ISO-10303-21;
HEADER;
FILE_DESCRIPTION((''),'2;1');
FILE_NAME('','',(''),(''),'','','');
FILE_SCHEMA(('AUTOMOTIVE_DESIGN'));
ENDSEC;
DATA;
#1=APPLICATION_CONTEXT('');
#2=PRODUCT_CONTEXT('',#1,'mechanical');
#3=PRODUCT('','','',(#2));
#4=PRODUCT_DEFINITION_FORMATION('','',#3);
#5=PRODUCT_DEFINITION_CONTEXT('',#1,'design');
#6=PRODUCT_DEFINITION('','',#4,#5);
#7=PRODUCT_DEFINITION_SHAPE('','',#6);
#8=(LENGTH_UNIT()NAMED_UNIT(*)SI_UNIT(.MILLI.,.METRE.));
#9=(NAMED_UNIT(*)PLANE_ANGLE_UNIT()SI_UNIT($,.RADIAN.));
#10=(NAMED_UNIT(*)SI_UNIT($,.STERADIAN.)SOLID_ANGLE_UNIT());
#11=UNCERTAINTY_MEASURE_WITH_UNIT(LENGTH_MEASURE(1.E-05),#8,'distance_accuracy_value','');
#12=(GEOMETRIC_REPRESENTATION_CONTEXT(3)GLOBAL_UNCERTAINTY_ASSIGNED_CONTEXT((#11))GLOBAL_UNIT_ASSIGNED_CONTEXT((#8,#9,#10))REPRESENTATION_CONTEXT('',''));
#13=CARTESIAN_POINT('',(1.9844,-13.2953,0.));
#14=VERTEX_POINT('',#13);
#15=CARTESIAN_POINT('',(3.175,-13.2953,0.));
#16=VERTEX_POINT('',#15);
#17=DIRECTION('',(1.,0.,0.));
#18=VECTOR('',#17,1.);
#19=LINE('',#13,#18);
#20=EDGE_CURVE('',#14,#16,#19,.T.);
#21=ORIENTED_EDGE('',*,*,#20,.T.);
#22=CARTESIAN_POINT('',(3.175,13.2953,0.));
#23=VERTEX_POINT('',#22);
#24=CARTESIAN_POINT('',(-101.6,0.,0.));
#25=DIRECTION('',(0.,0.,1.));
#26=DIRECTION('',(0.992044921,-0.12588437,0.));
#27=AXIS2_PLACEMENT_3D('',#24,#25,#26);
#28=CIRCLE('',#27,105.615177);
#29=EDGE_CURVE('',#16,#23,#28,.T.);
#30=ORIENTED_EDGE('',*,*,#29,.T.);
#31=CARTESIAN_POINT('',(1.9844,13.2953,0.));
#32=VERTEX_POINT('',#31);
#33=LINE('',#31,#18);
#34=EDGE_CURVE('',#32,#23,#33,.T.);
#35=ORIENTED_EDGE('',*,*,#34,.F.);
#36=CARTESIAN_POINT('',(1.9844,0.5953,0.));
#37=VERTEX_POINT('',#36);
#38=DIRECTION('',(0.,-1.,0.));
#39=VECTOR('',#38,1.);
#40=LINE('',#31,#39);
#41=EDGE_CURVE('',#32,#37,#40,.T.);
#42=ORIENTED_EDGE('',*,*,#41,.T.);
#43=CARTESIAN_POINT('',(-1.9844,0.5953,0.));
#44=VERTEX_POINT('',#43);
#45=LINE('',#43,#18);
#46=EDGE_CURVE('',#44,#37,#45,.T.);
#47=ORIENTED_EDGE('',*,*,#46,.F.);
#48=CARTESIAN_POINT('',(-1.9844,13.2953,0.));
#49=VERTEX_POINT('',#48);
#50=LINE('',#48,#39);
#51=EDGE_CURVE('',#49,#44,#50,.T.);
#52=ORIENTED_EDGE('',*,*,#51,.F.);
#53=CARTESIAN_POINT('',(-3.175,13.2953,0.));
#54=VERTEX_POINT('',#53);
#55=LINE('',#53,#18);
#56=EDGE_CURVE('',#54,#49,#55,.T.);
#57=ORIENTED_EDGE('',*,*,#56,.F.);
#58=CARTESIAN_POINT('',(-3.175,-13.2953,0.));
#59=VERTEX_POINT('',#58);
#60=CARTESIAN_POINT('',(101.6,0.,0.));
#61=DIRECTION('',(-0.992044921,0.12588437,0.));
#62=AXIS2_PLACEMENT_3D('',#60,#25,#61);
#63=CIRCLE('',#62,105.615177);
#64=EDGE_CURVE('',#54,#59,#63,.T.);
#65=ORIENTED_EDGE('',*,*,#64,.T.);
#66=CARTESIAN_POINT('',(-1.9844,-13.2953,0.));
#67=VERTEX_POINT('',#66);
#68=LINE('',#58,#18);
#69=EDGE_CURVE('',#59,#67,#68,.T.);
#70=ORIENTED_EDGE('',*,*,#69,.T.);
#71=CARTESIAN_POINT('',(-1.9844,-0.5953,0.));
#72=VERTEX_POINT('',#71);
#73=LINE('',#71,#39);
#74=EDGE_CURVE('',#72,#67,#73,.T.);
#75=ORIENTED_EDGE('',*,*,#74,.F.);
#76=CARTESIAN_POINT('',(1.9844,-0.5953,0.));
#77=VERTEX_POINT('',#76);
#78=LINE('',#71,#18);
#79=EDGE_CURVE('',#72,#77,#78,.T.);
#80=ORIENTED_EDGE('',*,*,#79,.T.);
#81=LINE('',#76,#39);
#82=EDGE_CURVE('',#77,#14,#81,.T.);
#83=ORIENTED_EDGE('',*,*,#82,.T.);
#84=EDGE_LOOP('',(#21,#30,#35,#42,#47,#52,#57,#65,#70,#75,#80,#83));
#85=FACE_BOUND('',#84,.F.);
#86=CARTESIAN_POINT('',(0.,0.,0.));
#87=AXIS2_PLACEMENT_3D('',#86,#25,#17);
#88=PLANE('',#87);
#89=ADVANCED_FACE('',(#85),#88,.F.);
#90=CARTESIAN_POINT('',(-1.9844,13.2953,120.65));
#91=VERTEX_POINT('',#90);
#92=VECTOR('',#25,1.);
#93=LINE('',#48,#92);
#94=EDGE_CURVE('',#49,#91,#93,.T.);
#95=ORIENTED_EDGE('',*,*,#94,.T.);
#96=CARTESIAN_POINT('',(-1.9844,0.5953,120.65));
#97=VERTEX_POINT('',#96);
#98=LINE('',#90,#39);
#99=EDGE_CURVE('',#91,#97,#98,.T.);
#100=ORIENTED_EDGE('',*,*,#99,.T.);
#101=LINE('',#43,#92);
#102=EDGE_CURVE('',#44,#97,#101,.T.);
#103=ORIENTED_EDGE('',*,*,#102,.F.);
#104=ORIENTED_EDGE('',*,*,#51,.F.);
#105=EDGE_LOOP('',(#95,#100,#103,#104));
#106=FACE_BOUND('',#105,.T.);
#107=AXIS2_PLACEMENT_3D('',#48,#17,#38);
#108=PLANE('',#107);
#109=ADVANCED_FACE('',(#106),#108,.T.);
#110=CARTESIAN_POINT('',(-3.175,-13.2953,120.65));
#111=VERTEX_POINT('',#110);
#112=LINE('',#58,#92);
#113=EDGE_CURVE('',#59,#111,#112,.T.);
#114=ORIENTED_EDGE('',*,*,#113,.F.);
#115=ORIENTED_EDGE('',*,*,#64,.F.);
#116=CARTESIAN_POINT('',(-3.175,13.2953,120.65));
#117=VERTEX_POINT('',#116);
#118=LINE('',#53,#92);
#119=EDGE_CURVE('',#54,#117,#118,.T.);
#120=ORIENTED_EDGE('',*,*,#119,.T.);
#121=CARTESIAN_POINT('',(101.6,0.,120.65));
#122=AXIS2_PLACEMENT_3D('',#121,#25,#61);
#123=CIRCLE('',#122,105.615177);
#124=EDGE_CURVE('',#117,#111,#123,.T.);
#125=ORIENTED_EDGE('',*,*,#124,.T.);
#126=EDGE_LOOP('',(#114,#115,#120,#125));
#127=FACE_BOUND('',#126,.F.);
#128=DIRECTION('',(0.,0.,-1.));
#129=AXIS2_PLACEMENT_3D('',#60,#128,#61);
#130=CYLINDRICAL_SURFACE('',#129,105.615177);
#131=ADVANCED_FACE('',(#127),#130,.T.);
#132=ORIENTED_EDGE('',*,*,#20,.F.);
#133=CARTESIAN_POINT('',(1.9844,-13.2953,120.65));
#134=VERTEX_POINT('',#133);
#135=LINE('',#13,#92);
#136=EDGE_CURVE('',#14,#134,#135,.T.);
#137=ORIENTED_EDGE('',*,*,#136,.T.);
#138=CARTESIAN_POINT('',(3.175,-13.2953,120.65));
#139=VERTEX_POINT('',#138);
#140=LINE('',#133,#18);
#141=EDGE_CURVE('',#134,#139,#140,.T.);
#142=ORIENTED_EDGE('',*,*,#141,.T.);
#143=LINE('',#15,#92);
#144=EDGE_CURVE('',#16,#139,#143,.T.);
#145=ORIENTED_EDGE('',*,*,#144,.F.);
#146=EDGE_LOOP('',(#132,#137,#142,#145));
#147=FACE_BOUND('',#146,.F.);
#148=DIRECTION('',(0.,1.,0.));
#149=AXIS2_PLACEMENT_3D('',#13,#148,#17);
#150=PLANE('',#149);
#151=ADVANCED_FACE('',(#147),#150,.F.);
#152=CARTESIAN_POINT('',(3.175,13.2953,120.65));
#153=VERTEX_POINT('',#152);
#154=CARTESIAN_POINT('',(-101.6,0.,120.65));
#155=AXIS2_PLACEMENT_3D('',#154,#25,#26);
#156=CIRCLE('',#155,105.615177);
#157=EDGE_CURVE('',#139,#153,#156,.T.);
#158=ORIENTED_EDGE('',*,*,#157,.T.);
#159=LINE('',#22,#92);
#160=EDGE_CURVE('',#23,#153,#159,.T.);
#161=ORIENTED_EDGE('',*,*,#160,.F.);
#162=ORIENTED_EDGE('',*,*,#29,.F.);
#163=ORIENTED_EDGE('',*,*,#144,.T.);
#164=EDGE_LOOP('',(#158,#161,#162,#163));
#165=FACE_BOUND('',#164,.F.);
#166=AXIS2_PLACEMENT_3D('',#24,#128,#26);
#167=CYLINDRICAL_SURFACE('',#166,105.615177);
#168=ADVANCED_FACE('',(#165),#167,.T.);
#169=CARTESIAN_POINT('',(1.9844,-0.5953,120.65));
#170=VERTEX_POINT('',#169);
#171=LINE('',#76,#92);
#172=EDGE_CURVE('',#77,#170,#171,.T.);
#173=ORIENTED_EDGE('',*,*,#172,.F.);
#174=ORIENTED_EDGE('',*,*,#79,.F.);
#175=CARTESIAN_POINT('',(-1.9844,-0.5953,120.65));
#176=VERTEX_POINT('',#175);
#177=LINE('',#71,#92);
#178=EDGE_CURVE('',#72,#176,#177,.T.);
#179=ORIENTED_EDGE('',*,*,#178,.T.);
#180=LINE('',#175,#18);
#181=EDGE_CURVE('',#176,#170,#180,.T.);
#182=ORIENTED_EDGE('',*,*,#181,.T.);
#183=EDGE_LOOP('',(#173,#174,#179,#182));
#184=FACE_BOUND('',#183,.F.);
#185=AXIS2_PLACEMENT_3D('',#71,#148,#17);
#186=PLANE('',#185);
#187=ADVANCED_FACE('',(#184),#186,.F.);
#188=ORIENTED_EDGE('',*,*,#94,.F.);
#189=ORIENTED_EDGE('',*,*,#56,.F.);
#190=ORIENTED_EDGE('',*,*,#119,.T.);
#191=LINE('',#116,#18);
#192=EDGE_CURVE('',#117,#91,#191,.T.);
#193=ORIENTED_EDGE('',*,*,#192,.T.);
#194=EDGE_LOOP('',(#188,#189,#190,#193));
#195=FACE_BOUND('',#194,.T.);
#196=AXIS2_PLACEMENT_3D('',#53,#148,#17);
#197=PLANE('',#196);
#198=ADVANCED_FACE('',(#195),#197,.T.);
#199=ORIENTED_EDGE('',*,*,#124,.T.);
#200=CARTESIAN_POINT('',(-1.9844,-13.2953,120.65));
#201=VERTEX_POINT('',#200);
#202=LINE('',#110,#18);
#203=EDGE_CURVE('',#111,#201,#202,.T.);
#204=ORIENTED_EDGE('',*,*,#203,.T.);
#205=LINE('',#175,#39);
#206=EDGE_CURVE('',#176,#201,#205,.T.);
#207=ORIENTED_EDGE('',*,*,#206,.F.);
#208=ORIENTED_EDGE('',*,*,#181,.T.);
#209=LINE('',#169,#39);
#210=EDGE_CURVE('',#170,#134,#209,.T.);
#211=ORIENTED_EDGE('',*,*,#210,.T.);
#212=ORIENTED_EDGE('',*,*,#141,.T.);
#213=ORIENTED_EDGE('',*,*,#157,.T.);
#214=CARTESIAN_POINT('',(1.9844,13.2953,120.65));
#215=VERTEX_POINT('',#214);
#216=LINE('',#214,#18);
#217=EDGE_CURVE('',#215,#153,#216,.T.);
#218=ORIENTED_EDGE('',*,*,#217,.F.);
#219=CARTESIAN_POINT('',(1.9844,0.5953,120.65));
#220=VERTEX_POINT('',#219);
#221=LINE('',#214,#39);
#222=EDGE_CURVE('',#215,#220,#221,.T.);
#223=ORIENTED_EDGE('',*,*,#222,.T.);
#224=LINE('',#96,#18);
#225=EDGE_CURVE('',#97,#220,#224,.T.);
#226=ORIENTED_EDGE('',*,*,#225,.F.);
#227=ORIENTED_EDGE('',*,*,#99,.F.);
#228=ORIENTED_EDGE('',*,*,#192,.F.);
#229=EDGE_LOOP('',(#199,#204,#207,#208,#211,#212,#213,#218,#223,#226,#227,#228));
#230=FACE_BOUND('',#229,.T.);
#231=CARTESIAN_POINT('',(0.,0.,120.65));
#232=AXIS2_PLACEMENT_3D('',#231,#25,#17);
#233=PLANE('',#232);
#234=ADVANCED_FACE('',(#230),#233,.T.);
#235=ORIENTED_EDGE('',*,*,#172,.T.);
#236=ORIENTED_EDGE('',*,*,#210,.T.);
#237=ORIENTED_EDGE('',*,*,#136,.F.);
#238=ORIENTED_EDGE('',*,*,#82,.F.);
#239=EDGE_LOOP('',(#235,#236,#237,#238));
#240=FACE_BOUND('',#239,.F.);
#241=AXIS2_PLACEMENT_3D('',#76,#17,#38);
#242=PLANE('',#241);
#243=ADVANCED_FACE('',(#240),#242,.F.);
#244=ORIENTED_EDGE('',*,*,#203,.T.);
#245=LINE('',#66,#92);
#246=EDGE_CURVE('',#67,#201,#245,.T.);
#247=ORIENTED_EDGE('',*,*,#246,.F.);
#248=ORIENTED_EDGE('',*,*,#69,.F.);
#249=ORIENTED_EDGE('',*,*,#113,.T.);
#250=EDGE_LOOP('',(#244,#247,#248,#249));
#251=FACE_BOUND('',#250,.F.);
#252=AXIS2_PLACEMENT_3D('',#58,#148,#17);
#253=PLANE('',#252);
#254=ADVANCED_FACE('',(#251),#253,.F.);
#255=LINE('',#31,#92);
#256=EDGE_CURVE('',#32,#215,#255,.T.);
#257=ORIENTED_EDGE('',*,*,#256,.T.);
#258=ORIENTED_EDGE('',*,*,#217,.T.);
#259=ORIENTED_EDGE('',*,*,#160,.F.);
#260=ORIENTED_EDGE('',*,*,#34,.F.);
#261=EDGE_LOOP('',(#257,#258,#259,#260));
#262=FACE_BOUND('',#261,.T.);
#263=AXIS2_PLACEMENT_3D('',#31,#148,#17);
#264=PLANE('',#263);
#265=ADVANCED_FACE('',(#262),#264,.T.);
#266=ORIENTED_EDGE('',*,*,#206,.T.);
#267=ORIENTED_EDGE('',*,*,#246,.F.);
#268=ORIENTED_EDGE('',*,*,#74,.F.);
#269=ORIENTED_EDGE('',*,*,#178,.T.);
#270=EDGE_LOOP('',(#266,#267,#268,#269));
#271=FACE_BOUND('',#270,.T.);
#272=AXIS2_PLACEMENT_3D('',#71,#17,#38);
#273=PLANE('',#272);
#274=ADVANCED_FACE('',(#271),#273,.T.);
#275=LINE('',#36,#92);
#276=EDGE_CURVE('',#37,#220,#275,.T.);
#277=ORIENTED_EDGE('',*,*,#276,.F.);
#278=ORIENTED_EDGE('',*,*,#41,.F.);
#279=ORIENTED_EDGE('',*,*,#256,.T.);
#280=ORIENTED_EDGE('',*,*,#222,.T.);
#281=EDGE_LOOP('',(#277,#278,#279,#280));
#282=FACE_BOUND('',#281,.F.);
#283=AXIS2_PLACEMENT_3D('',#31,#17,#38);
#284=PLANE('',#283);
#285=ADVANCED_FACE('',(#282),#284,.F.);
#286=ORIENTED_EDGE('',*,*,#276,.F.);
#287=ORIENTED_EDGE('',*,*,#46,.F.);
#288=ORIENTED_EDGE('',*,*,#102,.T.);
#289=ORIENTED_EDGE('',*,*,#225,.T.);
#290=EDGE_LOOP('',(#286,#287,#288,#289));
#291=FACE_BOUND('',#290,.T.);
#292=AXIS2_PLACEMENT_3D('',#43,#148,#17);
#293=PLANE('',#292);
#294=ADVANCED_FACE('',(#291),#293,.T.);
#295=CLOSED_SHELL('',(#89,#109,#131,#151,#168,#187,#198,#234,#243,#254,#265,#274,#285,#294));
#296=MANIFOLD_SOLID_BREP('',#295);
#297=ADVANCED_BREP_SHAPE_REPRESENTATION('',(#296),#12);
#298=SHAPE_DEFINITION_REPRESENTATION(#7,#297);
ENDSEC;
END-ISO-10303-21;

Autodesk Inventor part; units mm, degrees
ref_plane "YZ Plane" through (0, 0, 0) normal (1, 0, 0) x (0, 1, 0)
ref_plane "XZ Plane" through (0, 0, 0) normal (0, 1, 0) x (-1, 0, 0)
ref_plane "XY Plane" through (0, 0, 0) normal (0, 0, 1) x (1, 0, 0)
sketch "Sketch1" plane through (0, 0, 0) normal (0, 0, 1) x (1, 0, 0)
  arc A0 (-3.175, 13.2953) -> (-3.175, -13.2953) centre (101.6, 0) ccw
  arc A1 (3.175, -13.2953) -> (3.175, 13.2953) centre (-101.6, 0) ccw
  line L0 (-1.9844, 0.5953) -> (1.9844, 0.5953)
  line L1 (-1.9844, -0.5953) -> (1.9844, -0.5953)
  line L2 (1.9844, 13.2953) -> (1.9844, 0.5953)
  line L3 (1.9844, -0.5953) -> (1.9844, -13.2953)
  line L4 (-1.9844, 13.2953) -> (-1.9844, 0.5953)
  line L5 (-1.9844, -0.5953) -> (-1.9844, -13.2953)
  line L6 (-3.175, 13.2953) -> (-1.9844, 13.2953)
  line L7 (1.9844, 13.2953) -> (3.175, 13.2953)
  line L8 (-3.175, -13.2953) -> (-1.9844, -13.2953)
  line L9 (1.9844, -13.2953) -> (3.175, -13.2953)
  point P0 (0, 0)
  dimension "d4" = 1.9844
  dimension "d5" = 3.9688
  dimension "d6" = 0.5953
  dimension "d7" = 1.1906
  dimension "d8" = 13.2953
  dimension "d9" = 26.5906
  dimension "d10" = 101.6
  dimension "d12" = 1.1906
extrude "Extrusion1" add sketch "Sketch1" along normal blind 120.65
equation "\"d6\" = 0.5 * d7"
equation "\"d12\" = d7"
equation "\"d1\" = 2 * d0"
equation "\"d0\" = 13.295313"
properties part number "GE-12072-01"
